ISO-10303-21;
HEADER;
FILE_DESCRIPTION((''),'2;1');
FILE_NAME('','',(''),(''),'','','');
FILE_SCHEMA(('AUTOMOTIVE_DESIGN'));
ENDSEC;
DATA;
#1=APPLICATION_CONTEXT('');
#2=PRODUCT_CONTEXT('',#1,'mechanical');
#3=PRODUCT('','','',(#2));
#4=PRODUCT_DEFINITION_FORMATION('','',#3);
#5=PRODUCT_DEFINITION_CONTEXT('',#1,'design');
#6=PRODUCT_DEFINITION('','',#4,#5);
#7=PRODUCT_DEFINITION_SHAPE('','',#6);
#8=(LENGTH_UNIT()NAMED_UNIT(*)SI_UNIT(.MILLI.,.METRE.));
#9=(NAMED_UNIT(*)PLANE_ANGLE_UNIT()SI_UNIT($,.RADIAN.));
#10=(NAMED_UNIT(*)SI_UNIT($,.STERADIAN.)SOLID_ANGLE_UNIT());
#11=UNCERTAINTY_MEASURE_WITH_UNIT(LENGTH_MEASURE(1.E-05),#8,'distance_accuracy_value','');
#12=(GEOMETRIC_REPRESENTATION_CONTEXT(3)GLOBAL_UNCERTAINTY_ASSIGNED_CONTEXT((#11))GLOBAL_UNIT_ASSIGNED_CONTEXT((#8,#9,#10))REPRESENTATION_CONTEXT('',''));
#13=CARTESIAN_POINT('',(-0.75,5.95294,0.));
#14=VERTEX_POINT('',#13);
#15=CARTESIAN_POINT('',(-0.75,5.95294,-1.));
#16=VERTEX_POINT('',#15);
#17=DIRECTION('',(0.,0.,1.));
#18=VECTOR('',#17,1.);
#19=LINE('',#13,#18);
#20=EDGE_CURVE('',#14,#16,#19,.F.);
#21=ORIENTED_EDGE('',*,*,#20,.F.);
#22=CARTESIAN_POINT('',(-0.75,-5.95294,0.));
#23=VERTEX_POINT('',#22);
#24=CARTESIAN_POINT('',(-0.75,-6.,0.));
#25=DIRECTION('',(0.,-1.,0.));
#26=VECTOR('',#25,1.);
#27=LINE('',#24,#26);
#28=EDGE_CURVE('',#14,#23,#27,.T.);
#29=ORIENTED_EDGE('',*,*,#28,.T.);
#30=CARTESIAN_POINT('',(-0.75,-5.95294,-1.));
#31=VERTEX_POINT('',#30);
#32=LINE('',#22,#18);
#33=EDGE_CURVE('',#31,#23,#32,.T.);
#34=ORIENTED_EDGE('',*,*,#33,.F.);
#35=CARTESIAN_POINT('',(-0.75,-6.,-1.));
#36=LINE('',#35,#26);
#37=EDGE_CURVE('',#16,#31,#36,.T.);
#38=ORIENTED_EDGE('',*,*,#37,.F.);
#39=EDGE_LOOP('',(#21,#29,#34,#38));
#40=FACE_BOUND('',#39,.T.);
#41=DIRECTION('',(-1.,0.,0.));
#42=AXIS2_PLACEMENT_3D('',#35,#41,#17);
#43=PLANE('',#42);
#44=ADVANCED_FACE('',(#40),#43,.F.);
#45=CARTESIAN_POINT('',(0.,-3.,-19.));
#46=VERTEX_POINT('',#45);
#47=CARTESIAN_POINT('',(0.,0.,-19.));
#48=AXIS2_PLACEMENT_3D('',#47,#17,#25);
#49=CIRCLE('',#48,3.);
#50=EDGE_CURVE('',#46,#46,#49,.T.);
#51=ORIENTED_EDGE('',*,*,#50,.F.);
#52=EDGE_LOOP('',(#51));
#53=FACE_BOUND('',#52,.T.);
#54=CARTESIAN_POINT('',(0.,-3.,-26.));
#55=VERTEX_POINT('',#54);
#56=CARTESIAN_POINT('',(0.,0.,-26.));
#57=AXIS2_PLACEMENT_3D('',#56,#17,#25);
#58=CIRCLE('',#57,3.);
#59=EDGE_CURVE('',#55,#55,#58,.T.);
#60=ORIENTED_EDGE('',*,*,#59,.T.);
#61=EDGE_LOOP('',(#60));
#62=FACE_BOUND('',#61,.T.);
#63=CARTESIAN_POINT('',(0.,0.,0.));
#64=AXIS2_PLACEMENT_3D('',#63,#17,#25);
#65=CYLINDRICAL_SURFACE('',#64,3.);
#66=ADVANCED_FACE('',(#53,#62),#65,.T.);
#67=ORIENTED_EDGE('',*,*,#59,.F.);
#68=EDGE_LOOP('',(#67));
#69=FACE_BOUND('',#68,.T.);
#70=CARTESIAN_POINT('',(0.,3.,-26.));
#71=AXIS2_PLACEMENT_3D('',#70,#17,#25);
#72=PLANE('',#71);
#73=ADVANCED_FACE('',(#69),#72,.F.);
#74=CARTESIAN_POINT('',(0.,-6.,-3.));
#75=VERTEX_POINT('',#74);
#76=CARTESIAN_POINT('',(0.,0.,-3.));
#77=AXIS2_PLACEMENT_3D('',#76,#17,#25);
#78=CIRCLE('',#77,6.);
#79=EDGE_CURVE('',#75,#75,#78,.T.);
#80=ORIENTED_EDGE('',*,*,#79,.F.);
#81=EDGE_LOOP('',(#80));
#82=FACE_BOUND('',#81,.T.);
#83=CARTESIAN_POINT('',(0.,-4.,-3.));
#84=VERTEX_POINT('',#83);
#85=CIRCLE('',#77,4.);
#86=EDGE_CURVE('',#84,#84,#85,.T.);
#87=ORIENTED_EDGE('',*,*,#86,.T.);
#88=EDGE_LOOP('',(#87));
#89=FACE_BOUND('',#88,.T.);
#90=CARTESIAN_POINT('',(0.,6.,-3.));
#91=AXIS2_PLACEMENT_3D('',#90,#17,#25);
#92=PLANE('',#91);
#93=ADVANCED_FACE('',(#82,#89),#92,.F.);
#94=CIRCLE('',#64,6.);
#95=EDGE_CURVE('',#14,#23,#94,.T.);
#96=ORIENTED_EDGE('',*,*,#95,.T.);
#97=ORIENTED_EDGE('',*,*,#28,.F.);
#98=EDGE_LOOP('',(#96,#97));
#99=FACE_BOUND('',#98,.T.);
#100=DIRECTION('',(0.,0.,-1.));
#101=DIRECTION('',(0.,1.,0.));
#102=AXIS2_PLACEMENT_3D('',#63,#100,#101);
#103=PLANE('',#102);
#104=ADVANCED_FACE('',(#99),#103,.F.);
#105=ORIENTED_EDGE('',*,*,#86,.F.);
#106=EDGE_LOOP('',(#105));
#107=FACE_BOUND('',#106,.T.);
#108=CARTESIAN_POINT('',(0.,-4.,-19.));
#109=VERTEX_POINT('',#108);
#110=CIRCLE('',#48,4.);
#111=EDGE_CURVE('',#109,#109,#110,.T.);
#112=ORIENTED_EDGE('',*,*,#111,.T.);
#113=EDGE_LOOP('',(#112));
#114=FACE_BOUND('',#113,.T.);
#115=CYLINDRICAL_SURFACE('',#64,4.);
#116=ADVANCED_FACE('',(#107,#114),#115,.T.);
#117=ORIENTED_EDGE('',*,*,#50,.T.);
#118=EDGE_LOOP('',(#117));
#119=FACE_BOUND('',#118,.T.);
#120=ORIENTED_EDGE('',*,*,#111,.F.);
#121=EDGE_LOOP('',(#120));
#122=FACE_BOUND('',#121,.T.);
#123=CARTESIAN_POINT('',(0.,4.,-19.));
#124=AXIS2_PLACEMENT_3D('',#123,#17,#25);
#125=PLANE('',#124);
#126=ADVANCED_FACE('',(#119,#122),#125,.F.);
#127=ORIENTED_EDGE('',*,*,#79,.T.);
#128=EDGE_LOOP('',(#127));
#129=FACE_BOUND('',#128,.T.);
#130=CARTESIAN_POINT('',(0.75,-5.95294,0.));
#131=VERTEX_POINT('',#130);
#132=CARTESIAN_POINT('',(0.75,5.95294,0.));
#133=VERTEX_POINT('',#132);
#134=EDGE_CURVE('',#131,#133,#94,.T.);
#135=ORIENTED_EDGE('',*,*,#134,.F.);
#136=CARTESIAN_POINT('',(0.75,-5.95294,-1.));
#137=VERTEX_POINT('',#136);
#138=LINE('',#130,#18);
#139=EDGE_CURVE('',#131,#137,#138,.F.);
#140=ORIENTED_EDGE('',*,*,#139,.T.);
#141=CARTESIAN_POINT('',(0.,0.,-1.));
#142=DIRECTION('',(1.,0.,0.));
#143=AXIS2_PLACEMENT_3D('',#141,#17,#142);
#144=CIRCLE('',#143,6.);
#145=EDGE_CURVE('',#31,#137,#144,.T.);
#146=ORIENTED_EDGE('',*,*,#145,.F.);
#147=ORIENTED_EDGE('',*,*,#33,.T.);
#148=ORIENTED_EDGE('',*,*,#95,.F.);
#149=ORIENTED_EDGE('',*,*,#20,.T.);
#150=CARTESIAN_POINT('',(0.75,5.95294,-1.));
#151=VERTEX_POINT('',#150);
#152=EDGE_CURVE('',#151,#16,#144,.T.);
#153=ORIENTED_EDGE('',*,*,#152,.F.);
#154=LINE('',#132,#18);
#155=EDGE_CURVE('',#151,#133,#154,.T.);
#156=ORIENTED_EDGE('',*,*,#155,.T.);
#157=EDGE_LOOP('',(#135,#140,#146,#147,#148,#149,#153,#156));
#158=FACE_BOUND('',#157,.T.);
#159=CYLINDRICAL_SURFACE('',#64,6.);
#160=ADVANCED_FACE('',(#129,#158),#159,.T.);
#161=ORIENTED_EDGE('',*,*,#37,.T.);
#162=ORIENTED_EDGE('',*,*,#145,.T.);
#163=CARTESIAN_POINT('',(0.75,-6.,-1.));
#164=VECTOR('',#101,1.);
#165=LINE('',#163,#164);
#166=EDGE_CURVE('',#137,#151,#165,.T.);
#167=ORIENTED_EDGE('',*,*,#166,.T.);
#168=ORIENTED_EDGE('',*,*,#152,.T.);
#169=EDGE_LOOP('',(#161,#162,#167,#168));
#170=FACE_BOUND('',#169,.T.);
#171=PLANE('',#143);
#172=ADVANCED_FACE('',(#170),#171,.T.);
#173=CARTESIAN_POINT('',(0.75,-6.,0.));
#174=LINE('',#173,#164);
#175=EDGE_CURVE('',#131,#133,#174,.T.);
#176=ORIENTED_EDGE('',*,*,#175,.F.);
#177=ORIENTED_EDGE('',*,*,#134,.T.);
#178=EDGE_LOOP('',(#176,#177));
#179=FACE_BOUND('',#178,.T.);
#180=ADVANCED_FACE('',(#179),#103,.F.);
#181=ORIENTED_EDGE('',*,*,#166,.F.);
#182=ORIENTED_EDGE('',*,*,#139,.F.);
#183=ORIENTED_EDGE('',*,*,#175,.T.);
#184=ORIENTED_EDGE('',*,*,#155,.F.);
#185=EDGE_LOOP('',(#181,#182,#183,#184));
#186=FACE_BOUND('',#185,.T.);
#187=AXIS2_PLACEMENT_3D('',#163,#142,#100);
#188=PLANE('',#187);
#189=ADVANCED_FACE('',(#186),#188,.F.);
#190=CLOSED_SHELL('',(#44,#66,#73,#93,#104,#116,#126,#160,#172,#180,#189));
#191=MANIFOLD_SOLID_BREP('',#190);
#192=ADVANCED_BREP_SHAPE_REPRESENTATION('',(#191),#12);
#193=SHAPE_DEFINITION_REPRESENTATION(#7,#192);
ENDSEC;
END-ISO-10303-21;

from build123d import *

# Parameters (mm, degrees)
SKETCH_3_W          = 1.5
SKETCH_3_H          = 12
CUT_EXTRUDE_1_DEPTH = 1


with BuildPart() as part:
    # 草图2 → 旋转1 (revolve)
    with BuildSketch(Plane(origin=(0, 0, 0), x_dir=(0, 0, -1), z_dir=(1, 0, 0))):
        Polygon((0, 0), (0, 6), (3, 6), (3, 4), (19, 4), (19, 3), (26, 3), (26, 0), align=None)
    revolve(axis=Axis((0, 0, 0), (0, 0, -1)))

    # 草图3 → 切除-拉伸1 (cut)
    with BuildSketch(Plane.XY):
        Rectangle(SKETCH_3_W, SKETCH_3_H)
    extrude(amount=-CUT_EXTRUDE_1_DEPTH, mode=Mode.SUBTRACT)


solid = part.part
